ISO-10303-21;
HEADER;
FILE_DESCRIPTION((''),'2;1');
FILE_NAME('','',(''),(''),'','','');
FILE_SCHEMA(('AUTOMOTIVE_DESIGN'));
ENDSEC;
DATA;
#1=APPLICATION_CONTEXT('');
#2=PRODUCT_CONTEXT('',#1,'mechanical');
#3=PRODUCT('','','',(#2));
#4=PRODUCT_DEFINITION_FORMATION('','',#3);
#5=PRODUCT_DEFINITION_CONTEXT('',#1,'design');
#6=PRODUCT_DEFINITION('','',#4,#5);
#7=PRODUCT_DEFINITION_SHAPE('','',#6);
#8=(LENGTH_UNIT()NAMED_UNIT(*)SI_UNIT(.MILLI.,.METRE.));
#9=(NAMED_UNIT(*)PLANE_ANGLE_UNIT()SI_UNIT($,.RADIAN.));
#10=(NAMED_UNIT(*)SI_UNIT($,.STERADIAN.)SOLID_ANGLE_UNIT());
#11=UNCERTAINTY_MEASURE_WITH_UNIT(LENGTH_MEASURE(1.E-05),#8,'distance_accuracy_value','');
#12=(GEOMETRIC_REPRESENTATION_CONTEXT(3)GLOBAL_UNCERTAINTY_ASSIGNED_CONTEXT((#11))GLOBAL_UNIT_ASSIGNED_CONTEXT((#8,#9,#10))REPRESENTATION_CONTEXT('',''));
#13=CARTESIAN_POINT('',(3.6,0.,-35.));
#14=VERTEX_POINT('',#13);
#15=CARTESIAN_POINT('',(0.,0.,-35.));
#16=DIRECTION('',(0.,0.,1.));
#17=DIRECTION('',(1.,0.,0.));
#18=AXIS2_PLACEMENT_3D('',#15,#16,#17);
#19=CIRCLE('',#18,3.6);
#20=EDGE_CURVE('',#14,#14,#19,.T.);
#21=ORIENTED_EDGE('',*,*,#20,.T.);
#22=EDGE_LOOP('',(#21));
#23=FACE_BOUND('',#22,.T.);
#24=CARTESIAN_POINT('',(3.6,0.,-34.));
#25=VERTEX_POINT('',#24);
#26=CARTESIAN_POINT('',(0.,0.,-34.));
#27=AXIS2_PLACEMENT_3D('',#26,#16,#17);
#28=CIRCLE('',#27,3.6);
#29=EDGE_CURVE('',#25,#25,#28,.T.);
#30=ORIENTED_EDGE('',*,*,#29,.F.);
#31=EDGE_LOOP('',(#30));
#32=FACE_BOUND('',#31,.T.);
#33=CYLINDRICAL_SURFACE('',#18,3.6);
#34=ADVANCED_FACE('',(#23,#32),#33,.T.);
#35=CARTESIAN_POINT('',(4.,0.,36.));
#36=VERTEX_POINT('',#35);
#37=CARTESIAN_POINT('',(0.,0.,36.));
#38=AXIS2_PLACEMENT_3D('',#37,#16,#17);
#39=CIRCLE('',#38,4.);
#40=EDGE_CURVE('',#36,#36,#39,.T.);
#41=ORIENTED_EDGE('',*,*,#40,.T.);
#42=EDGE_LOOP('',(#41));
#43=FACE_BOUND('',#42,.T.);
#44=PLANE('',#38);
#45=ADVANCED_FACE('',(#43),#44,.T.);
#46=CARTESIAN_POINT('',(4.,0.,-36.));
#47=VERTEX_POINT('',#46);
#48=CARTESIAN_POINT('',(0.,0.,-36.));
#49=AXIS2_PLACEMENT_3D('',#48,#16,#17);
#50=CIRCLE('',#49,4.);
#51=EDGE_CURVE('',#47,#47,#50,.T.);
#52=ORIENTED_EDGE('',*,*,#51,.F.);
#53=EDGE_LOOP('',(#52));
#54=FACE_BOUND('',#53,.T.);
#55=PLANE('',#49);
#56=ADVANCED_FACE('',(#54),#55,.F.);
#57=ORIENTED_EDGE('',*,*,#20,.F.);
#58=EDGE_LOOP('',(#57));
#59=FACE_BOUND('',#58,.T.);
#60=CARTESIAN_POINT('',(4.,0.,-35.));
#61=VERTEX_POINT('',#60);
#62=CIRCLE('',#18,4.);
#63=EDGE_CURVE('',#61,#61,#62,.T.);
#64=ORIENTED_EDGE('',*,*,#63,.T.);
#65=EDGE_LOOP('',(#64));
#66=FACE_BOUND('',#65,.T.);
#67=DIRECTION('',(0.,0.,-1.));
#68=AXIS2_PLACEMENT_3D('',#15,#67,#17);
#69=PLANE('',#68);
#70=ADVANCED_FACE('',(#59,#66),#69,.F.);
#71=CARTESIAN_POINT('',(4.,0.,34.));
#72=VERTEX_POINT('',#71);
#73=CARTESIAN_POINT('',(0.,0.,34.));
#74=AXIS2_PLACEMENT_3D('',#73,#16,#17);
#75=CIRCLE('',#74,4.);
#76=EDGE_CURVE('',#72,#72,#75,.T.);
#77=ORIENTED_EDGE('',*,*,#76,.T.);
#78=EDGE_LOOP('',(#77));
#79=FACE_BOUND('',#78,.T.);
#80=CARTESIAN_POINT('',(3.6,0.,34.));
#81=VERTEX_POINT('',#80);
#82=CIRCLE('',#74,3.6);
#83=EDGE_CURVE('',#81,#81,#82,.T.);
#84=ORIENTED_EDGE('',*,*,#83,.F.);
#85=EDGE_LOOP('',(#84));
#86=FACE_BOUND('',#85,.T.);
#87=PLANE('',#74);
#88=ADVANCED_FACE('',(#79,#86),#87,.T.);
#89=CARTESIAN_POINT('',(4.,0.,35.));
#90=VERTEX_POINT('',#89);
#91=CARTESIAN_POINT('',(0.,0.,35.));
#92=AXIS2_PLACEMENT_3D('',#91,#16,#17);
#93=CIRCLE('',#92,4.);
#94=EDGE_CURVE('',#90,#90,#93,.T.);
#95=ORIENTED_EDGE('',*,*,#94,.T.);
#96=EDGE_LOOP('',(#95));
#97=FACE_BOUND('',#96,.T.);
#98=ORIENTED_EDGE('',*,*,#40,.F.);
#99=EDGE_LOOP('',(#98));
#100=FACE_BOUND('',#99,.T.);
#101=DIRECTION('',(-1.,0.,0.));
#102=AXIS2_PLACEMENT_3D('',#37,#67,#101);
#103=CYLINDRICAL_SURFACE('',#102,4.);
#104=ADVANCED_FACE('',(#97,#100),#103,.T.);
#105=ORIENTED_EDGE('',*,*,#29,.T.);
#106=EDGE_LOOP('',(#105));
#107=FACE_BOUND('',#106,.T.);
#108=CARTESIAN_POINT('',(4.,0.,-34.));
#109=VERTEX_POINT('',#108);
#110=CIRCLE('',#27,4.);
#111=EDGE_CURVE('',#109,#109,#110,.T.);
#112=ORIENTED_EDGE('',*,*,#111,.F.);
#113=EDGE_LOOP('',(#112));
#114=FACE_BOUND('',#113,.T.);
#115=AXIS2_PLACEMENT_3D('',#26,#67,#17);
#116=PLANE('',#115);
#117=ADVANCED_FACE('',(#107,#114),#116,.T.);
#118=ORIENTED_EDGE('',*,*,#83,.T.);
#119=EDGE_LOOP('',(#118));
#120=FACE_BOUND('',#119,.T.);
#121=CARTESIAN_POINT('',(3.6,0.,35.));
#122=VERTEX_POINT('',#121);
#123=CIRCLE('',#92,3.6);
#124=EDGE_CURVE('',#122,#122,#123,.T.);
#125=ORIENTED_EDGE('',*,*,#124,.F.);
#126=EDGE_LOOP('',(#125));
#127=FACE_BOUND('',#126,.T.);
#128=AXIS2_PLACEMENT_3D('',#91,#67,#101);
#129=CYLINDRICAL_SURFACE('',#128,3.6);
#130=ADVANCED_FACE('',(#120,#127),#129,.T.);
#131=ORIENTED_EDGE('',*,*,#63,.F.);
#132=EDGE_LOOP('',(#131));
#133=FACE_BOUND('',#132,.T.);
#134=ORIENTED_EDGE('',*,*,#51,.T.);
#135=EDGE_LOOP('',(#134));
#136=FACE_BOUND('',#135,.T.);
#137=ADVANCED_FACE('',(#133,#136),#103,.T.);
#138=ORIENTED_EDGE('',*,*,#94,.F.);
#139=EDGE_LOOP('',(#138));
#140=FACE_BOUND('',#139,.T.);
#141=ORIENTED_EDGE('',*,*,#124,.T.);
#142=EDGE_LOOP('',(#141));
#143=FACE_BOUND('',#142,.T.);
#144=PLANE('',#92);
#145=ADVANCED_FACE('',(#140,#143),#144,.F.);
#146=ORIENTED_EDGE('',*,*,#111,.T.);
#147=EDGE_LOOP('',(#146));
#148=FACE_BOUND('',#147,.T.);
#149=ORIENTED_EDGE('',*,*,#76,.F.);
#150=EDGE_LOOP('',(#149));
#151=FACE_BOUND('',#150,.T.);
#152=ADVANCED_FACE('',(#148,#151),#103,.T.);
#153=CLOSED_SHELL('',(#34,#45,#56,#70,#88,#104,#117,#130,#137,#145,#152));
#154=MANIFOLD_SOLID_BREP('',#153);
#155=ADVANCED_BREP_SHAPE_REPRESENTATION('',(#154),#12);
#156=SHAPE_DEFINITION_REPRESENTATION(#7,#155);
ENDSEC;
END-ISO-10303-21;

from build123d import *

# Parameters (mm, degrees)
SKETCH_1_R          = 4
EXTRUDE_1_DEPTH     = 36
CUT_EXTRUDE_START   = 1
SKETCH_2_R          = 4
SKETCH_2_R_2        = 3.6
CUT_EXTRUDE_1_DEPTH = 1


with BuildPart() as part:
    # 草图1 → 凸台-拉伸1 (new, symmetric)
    with BuildSketch(Plane.XY):
        Circle(SKETCH_1_R)
    extrude(amount=EXTRUDE_1_DEPTH, both=True)

    # 草图2 → 切除-拉伸1 (cut)
    with BuildSketch(Plane.XY.offset(34).offset(CUT_EXTRUDE_START)):
        Circle(SKETCH_2_R)
        Circle(SKETCH_2_R_2, mode=Mode.SUBTRACT)
    cut_extrude_1 = extrude(amount=-CUT_EXTRUDE_1_DEPTH, mode=Mode.SUBTRACT)

    # 镜向1: 切除-拉伸1 across plane
    add(cut_extrude_1.mirror(Plane.XY), mode=Mode.SUBTRACT)


solid = part.part
